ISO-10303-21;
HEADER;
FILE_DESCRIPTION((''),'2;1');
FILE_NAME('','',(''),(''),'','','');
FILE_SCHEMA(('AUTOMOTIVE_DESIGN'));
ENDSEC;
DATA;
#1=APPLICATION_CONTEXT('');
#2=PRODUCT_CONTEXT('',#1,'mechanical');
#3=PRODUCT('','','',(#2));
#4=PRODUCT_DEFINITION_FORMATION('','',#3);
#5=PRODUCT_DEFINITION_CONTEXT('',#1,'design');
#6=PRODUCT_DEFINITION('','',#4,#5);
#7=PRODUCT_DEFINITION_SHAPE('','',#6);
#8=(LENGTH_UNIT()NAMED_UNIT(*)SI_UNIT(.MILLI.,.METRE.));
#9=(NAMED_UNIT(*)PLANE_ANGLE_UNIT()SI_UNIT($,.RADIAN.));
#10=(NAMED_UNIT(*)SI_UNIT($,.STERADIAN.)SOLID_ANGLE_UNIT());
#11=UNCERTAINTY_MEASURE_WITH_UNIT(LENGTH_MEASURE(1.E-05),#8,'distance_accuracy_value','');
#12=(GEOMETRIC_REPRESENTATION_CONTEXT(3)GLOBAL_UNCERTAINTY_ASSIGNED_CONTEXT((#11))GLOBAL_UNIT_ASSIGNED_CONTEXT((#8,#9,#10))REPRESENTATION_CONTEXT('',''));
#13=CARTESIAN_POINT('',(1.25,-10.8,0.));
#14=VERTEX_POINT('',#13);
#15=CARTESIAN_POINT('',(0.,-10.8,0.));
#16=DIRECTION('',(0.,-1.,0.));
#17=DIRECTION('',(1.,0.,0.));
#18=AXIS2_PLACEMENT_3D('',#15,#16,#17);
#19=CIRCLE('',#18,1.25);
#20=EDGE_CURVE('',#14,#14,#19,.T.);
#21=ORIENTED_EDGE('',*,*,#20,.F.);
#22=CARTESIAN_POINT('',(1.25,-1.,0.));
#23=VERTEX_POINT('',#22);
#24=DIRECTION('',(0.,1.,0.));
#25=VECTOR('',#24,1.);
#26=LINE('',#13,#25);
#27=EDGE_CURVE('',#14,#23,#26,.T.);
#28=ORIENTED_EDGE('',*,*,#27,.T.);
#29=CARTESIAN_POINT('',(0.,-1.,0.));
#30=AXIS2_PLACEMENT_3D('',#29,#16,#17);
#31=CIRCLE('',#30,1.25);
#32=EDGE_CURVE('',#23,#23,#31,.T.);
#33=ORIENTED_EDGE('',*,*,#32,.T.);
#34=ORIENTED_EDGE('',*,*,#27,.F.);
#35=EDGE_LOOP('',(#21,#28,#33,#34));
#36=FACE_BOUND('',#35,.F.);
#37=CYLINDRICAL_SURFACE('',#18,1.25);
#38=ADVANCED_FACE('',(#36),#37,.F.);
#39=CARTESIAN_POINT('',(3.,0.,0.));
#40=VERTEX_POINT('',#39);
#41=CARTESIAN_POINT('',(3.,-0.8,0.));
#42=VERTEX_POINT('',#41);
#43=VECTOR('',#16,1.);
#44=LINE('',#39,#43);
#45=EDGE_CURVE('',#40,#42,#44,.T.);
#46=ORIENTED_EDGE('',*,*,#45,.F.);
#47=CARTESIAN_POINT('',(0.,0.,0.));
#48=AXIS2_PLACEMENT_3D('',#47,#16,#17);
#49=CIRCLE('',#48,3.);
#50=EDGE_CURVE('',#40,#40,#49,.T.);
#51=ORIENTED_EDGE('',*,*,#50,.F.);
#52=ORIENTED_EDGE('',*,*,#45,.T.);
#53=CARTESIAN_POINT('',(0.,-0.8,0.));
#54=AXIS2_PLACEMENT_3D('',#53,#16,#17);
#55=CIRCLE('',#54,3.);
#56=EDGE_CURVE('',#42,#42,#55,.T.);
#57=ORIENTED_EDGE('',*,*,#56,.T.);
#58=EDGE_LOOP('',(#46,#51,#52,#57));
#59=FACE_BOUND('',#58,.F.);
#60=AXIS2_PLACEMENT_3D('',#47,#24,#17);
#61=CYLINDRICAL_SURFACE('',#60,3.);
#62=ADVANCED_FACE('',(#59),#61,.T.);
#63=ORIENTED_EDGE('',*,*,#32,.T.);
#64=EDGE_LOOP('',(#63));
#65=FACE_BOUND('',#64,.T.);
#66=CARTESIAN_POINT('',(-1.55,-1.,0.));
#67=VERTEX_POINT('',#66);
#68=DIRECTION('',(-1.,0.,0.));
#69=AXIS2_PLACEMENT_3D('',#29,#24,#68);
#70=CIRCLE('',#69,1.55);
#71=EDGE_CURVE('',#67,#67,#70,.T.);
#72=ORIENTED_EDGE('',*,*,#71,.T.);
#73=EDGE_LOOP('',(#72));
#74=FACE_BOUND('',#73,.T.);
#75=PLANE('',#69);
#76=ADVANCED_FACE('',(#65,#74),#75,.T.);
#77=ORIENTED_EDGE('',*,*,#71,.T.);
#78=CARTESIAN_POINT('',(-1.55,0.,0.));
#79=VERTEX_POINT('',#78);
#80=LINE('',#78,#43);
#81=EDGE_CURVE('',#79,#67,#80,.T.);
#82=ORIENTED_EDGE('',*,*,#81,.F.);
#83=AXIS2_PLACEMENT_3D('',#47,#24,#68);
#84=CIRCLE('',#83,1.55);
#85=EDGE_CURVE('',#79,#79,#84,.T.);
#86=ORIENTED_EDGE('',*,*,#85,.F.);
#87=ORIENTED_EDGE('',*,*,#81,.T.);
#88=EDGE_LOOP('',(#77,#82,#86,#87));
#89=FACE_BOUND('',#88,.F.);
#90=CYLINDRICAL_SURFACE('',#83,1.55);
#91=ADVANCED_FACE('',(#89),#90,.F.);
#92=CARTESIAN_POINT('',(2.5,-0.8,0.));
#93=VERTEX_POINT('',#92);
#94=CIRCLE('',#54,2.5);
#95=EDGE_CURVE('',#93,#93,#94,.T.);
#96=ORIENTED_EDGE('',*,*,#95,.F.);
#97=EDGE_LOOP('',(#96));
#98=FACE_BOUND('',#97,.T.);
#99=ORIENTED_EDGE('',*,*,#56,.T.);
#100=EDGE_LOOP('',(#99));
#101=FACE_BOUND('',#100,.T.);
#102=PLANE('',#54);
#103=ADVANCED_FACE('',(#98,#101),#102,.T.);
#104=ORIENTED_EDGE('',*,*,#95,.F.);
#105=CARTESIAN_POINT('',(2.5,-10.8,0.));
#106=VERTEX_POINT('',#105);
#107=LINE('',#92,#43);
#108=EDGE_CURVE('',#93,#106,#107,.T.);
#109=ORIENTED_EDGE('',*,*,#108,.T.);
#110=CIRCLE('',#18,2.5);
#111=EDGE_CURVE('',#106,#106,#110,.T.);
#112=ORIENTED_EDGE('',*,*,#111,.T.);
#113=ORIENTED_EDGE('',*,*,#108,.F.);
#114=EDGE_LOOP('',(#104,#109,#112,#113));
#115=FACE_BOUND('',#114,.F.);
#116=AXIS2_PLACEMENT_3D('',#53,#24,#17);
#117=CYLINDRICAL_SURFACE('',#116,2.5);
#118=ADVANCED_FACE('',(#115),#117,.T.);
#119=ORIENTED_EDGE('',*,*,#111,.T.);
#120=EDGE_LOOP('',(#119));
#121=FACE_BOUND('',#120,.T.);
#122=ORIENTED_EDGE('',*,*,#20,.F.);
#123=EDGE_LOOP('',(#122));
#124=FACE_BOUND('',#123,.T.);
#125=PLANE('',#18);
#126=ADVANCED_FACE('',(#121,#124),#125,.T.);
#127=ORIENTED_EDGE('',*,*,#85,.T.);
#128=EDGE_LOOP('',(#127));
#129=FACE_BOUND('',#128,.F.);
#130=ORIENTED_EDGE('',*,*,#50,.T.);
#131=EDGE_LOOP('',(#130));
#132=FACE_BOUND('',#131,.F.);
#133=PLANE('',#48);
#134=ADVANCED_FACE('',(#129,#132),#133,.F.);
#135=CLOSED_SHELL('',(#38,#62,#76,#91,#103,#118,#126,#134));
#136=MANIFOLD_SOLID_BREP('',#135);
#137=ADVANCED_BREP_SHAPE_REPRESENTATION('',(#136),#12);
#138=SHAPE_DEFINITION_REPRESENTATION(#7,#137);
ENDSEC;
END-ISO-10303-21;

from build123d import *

# Parameters (mm, degrees)
F0_R     = 3
F1_DEPTH = 0.8
F2_R     = 2.5
F3_DEPTH = 10
F4_R     = 1.25
F5_DEPTH = 25
F6_R     = 1.55
F6_R_2   = 1.25
F7_DEPTH = 1


with BuildPart() as f1:
    # F0 (on Front) → F1 (new body)
    with BuildSketch(Plane.XZ):
        Circle(F0_R)
    extrude(amount=F1_DEPTH)

    # F2 (on face) → F3 (join)
    with BuildSketch(Plane.XZ.offset(0.8)):
        Circle(F2_R)
    extrude(amount=F3_DEPTH)

    # F4 (on face) → F5 (cut)
    with BuildSketch(Plane.XZ.offset(10.8)):
        Circle(F4_R)
    extrude(amount=-F5_DEPTH, mode=Mode.SUBTRACT)

    # F6 (on face) → F7 (cut)
    with BuildSketch(Plane(origin=(0, 0, 0), x_dir=(-1, 0, 0), z_dir=(0, 1, 0))):
        Circle(F6_R)
        Circle(F6_R_2, mode=Mode.SUBTRACT)
        Circle(F6_R)
    extrude(amount=-F7_DEPTH, mode=Mode.SUBTRACT)


solid = f1.part
